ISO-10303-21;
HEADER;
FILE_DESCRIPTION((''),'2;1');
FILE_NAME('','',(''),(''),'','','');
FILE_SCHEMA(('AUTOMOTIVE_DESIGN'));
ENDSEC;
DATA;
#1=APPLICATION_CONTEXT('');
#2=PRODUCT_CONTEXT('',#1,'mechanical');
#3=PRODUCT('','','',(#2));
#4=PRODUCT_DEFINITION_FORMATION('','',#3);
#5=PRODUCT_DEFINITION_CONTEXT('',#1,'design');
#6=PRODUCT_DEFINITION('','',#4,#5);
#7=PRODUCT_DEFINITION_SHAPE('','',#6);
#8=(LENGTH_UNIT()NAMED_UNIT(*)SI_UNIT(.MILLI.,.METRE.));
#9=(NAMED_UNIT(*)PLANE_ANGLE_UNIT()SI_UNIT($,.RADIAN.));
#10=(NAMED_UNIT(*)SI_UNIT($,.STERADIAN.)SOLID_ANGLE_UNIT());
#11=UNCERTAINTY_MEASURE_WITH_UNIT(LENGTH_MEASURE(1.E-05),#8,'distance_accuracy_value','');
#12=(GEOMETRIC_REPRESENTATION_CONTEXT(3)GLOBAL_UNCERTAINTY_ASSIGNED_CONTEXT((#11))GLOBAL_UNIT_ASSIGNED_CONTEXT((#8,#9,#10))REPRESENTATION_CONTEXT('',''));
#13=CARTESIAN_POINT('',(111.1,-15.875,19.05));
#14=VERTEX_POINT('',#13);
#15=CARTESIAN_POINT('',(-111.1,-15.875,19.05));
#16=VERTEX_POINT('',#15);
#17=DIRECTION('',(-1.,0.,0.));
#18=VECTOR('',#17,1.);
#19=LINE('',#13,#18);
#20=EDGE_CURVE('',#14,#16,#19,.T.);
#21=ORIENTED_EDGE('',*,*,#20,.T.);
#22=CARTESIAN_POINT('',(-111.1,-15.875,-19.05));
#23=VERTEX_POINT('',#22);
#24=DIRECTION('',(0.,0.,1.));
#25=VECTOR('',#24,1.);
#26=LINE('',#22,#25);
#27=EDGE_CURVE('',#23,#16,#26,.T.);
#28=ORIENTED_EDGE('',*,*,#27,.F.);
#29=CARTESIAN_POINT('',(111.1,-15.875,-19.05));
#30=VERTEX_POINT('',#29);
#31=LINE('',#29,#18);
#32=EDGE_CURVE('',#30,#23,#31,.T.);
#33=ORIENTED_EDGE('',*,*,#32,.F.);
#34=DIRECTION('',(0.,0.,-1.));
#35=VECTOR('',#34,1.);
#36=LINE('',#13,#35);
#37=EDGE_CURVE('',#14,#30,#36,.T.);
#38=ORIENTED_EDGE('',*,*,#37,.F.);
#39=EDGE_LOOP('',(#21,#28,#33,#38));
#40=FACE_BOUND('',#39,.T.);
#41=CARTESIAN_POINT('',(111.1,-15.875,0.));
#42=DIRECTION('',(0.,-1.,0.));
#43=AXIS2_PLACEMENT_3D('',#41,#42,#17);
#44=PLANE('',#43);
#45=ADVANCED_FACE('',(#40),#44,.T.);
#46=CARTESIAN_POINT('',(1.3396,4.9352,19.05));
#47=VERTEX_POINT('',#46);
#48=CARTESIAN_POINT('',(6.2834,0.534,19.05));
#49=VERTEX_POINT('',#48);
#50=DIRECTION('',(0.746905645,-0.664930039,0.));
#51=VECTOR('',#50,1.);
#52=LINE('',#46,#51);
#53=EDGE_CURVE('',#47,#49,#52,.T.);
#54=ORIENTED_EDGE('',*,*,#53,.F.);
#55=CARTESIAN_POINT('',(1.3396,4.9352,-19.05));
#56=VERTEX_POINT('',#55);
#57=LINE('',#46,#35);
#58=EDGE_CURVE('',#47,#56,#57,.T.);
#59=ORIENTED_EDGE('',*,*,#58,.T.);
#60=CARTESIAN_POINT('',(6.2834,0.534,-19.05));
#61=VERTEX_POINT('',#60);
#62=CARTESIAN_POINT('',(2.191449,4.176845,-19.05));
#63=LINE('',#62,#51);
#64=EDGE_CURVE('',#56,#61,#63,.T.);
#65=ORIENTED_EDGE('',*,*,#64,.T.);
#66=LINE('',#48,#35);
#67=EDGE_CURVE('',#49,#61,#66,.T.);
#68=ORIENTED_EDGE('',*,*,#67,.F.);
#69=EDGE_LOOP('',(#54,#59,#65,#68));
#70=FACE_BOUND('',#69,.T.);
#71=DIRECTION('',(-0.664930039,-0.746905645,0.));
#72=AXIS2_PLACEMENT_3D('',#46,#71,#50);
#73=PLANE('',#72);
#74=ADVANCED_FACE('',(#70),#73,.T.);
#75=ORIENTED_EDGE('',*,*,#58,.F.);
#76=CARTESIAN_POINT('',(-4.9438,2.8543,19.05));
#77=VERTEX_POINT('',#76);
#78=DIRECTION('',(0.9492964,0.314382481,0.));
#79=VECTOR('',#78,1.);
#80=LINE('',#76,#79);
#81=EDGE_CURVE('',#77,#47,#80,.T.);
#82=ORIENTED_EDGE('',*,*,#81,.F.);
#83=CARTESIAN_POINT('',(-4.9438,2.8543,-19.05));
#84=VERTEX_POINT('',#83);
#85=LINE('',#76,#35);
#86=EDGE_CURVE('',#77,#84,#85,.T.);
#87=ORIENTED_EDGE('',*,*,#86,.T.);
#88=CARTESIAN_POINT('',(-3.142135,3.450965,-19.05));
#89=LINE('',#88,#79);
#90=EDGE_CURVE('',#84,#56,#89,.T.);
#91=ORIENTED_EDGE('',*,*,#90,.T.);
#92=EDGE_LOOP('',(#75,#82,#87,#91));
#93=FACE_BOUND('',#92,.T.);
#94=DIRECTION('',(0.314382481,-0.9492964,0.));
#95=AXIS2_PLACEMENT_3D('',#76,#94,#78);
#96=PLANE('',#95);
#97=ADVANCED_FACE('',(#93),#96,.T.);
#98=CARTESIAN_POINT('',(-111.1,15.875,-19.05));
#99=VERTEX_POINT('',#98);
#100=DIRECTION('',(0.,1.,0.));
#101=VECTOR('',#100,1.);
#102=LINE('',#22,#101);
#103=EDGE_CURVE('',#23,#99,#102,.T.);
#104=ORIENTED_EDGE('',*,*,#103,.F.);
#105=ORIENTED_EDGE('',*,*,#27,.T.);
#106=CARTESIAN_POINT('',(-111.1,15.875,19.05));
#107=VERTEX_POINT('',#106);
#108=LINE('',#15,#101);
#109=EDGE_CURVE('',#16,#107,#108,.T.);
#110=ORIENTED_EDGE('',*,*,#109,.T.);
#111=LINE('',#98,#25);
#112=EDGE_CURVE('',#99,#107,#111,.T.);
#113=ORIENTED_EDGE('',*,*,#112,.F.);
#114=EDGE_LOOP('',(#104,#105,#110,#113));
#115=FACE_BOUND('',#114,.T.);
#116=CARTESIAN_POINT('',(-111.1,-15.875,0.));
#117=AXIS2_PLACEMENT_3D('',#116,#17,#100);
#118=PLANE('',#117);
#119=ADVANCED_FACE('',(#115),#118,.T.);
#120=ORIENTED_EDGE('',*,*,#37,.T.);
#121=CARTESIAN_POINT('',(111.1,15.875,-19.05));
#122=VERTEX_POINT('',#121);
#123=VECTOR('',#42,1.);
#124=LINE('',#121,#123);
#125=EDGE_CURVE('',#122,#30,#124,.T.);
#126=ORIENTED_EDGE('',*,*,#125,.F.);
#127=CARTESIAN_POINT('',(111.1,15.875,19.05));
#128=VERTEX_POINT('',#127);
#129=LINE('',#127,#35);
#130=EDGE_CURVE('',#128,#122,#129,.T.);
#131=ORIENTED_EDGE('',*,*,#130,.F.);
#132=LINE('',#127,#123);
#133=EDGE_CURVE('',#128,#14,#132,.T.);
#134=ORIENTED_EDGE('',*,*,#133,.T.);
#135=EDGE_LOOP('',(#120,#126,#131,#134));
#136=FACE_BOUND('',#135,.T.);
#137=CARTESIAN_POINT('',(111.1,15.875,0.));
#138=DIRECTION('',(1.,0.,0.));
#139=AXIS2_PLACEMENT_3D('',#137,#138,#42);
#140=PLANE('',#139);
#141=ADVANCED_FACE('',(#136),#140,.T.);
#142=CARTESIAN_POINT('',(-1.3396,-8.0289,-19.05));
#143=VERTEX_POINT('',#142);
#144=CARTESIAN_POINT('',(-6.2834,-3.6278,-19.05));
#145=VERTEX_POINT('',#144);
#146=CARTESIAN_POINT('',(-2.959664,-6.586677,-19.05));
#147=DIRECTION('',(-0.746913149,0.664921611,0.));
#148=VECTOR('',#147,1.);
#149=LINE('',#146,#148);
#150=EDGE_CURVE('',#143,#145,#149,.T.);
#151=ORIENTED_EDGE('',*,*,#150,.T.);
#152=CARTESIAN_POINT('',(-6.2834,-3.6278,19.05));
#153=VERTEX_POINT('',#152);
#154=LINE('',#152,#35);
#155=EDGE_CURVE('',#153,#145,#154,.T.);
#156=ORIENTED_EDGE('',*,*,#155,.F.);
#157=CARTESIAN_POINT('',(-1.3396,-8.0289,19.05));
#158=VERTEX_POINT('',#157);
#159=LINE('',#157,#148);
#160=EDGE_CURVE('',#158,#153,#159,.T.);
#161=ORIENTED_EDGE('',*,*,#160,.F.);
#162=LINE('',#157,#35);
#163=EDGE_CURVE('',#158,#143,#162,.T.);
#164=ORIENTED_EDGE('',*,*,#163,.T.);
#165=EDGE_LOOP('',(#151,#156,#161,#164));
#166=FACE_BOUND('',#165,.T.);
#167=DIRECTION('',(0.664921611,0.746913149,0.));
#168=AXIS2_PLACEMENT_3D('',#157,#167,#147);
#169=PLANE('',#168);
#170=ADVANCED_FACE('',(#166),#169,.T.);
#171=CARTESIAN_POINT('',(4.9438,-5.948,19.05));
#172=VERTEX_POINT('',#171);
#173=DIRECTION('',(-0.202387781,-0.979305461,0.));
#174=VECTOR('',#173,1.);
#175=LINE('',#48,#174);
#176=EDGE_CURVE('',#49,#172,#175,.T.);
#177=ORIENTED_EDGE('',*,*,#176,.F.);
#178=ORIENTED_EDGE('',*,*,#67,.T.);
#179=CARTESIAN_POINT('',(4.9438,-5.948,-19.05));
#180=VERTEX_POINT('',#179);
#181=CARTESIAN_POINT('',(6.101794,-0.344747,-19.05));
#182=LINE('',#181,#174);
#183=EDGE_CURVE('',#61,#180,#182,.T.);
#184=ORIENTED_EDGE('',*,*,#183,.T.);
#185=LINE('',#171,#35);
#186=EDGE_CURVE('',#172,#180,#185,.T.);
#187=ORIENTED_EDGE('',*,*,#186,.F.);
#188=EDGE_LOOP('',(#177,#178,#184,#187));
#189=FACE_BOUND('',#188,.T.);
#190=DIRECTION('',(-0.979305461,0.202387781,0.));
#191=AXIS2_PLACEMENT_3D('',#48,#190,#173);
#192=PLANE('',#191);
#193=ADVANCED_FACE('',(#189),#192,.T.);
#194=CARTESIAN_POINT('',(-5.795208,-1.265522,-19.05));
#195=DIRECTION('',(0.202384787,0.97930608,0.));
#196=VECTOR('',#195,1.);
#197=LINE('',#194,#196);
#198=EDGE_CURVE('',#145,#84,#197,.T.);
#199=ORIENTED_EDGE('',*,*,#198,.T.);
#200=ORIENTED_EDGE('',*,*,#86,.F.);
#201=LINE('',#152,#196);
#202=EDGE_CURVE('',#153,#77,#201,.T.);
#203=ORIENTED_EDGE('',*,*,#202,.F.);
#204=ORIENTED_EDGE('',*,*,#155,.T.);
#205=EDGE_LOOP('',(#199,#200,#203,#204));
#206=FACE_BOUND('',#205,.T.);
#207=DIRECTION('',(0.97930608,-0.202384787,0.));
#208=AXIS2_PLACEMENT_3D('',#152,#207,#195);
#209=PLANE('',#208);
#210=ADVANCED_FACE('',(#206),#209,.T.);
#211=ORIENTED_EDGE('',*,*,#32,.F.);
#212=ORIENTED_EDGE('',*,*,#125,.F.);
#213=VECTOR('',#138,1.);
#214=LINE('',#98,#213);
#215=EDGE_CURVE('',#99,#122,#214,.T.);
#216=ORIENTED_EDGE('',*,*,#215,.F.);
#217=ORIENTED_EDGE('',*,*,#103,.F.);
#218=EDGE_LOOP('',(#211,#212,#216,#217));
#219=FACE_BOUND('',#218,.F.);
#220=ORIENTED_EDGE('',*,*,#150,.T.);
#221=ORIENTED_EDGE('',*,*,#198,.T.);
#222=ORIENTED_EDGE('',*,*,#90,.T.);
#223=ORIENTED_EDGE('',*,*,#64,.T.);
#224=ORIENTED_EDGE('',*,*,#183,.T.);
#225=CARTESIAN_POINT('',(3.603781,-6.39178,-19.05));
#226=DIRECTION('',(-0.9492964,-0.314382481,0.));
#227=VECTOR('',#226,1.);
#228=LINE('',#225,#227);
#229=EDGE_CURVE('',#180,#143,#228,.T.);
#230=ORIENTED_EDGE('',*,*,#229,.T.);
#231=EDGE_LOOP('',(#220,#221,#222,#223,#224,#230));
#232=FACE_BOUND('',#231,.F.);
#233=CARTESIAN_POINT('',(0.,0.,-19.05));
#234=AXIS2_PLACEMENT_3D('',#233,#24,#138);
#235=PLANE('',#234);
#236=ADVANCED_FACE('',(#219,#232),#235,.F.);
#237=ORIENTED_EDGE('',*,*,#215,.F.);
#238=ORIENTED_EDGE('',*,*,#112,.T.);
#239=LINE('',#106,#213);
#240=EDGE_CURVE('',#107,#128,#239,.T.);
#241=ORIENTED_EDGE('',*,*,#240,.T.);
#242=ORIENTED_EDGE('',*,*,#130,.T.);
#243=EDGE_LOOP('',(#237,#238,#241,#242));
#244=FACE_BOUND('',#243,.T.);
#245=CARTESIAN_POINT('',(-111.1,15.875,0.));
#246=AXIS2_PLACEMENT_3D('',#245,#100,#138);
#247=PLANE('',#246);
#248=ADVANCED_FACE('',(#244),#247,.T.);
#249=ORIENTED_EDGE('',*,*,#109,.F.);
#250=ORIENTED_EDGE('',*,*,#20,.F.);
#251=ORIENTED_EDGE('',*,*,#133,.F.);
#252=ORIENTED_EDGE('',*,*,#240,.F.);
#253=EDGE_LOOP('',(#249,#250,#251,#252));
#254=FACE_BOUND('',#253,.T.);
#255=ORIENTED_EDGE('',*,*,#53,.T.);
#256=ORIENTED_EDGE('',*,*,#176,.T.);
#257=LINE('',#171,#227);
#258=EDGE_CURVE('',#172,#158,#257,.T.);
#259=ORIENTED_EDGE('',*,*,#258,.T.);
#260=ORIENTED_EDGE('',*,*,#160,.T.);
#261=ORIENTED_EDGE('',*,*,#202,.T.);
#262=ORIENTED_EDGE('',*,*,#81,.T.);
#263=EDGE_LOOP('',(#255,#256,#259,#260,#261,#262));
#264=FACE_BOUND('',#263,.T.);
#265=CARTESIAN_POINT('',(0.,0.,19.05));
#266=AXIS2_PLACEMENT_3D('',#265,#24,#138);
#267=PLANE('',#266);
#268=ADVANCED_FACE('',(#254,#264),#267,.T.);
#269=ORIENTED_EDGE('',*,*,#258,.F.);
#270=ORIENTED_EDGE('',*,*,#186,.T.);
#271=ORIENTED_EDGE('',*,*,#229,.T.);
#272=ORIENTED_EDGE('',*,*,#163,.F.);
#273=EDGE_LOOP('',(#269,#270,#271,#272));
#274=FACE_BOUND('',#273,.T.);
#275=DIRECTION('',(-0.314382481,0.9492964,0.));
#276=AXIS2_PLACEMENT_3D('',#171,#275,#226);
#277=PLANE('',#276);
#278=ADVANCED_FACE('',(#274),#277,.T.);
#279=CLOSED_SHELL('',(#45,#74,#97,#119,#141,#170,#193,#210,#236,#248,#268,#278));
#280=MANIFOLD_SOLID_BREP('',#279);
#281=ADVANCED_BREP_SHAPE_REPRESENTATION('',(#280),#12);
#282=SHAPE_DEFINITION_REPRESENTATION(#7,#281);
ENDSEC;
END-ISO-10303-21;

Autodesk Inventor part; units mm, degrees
ref_plane "YZ Plane" through (0, 0, 0) normal (1, 0, 0) x (0, 1, 0)
ref_plane "XZ Plane" through (0, 0, 0) normal (0, 1, 0) x (-1, 0, 0)
ref_plane "XY Plane" through (0, 0, 0) normal (0, 0, 1) x (1, 0, 0)
sketch "Sketch1" plane through (0, 0, 0) normal (0, 0, 1) x (1, 0, 0)
  line L0 (-111.1, 15.875) -> (111.1, 15.875)
  line L1 (111.1, 15.875) -> (111.1, -15.875)
  line L2 (111.1, -15.875) -> (-111.1, -15.875)
  line L3 (-111.1, -15.875) -> (-111.1, 15.875)
  line L4 (-111.1, 15.875) -> (111.1, -15.875) construction
  line L5 (111.1, 15.875) -> (-111.1, -15.875) construction
  point P0 (0, 0)
  dimension "d0" = 31.75
  dimension "d1" = 222.2
extrude "Extrusion1" add sketch "Sketch1" along normal mid plane 38.1
sketch "Sketch2" plane through (0, 0, 19.05) normal (0, 0, 1) x (1, 0, 0)
  circle A0 centre (0, -1.5469) radius 6.619
  line L0 (-1.3396, -8.0289) -> (-6.2834, -3.6278)
  line L1 (-6.2834, -3.6278) -> (-4.9438, 2.8543)
  line L2 (-4.9438, 2.8543) -> (1.3396, 4.9352)
  line L3 (1.3396, 4.9352) -> (6.2834, 0.534)
  line L4 (6.2834, 0.534) -> (4.9438, -5.948)
  line L5 (4.9438, -5.948) -> (-1.3396, -8.0289)
  line L6 (111.1, 15.875) -> (-111.1, 15.875) projected
  dimension "d10" = 17.4219
extrude "Extrusion2" cut sketch "Sketch2" against normal blind 82.55 contours L4 L5 L0 L1 L2 L3
properties part number "CNC-X-axis- platform mover"
